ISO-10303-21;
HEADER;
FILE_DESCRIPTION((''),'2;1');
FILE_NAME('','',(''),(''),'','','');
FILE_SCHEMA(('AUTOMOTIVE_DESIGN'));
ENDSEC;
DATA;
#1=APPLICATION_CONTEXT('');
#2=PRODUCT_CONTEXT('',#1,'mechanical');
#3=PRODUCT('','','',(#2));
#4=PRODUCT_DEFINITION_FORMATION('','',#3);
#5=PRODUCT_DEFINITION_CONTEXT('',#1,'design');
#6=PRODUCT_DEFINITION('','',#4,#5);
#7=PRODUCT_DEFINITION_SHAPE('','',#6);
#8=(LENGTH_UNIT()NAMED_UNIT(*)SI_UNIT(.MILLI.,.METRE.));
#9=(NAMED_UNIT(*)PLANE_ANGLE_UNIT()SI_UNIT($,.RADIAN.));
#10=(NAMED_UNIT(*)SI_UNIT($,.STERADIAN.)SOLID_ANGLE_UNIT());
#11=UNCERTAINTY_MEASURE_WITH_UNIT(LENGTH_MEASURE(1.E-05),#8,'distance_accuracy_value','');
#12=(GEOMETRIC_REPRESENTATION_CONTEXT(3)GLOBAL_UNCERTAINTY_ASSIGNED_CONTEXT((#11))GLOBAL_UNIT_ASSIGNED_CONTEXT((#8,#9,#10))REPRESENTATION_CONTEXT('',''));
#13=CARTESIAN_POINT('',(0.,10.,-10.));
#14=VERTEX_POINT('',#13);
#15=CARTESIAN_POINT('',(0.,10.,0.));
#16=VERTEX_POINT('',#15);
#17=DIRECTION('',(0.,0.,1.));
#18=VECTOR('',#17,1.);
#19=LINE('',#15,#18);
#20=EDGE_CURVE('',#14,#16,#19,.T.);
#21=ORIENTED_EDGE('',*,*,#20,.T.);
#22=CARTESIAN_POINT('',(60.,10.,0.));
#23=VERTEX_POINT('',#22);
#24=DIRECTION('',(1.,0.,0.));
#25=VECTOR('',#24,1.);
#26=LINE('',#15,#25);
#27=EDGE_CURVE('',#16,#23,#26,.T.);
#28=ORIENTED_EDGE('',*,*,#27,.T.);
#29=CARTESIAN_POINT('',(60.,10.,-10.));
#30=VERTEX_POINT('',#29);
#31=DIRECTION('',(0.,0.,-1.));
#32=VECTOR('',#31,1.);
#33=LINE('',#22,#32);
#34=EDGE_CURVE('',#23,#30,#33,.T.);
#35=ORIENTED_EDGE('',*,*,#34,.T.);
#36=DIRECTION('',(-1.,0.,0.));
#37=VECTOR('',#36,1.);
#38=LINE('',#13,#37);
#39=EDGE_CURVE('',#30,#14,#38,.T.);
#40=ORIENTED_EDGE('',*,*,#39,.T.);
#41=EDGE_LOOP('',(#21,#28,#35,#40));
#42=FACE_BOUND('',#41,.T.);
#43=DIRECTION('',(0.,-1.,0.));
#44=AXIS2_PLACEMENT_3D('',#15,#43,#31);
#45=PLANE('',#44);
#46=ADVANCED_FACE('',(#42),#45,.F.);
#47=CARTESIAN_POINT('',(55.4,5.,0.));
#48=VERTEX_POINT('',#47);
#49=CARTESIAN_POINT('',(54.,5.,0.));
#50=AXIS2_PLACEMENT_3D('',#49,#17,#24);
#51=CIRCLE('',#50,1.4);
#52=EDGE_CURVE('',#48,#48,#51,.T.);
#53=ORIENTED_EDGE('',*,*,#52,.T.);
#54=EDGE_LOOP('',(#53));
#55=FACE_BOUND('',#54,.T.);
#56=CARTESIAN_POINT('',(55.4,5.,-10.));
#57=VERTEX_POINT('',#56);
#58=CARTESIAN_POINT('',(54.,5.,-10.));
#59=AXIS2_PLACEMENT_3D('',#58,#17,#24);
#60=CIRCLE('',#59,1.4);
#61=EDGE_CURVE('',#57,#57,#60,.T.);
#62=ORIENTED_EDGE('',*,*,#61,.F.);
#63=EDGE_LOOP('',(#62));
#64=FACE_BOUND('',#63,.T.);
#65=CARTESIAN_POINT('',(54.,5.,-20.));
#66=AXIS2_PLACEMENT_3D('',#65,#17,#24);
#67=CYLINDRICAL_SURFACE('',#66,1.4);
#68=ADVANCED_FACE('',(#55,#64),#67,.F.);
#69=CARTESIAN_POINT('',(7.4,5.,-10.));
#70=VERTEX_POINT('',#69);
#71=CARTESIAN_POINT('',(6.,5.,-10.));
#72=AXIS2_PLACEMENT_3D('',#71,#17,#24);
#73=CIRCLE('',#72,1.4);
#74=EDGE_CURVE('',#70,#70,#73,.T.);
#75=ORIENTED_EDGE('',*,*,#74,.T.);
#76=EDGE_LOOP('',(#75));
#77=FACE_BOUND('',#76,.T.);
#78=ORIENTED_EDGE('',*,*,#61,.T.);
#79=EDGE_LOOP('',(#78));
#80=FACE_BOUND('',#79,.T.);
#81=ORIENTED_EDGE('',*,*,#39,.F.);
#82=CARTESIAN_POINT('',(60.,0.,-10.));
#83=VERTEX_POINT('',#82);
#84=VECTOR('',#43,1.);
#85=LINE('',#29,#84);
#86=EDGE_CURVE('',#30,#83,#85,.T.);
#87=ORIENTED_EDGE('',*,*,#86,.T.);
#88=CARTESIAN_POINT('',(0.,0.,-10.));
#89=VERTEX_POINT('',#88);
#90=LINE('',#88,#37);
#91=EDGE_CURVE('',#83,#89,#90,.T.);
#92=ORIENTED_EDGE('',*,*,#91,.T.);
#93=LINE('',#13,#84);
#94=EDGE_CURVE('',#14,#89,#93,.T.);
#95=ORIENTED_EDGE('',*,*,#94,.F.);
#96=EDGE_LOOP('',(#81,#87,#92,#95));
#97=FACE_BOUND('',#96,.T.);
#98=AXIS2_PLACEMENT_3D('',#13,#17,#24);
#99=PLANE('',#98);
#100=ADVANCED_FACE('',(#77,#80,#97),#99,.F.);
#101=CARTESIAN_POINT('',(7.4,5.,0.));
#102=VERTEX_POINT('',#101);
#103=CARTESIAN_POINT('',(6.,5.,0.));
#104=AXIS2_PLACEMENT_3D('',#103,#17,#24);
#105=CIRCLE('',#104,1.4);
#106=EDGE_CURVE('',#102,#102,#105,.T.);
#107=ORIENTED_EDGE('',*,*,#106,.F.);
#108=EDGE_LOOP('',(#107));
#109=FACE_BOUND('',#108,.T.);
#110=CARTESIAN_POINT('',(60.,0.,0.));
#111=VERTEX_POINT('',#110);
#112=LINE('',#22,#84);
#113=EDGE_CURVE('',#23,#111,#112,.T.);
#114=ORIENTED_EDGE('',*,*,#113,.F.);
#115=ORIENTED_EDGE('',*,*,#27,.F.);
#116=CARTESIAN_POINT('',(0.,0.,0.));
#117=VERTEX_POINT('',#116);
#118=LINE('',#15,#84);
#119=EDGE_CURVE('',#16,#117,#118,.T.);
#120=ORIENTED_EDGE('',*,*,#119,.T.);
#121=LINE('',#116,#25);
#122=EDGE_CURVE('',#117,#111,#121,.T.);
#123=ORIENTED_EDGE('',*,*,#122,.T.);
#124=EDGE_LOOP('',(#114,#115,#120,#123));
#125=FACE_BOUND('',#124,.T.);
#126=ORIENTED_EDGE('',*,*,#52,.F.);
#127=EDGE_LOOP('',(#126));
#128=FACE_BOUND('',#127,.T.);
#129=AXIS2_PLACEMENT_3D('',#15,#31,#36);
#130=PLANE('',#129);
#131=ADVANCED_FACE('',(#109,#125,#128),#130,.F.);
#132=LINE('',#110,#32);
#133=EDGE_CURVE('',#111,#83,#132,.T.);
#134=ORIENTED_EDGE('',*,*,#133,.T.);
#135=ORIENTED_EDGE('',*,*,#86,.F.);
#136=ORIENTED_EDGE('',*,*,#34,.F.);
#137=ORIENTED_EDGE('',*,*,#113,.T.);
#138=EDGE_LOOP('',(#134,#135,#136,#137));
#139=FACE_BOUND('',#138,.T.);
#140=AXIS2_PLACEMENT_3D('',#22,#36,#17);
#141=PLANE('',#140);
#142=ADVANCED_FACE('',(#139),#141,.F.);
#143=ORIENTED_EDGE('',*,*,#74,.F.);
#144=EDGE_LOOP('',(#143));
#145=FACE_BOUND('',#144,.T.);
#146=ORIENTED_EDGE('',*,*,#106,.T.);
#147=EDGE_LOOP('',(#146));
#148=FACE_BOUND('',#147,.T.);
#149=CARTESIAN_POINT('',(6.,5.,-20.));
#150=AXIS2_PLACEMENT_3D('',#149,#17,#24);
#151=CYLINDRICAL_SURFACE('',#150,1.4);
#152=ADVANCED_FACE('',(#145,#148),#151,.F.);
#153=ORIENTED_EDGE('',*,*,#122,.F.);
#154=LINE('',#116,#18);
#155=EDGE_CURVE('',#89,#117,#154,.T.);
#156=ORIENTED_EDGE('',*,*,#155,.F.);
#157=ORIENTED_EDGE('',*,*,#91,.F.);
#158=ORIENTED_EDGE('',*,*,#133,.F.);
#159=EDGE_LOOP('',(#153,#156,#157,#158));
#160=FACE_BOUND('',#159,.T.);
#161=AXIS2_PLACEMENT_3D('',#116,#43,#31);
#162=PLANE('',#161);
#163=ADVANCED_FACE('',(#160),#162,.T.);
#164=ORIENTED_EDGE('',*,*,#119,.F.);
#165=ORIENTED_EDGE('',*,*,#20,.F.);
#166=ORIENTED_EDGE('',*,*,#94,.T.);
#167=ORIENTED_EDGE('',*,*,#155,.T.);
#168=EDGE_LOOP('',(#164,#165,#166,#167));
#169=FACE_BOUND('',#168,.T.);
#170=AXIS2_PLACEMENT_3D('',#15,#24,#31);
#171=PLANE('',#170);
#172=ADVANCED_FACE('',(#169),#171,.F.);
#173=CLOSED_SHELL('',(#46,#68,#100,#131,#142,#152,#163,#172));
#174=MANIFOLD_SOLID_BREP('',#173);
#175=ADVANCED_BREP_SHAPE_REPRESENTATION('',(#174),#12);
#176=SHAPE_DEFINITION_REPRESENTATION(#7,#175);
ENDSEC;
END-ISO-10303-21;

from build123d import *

# Parameters (mm, degrees)
SKETCH_1_W          = 60
SKETCH_1_H          = 10
EXTRUDE_1_DEPTH     = 10
SKETCH_3_R          = 1.4
CUT_EXTRUDE_1_DEPTH = 20


with BuildPart() as part:
    # 草图1 → 凸台-拉伸1 (new body)
    with BuildSketch(Plane(origin=(0, 0, 0), x_dir=(1, 0, 0), z_dir=(0, 1, 0))):
        with Locations((30, 5)):
            Rectangle(SKETCH_1_W, SKETCH_1_H)
    extrude(amount=EXTRUDE_1_DEPTH)

    # 草图3 → 切除-拉伸1 (cut)
    with BuildSketch(Plane.XY):
        with Locations((6, 5)):
            Circle(SKETCH_3_R)
        with Locations((54, 5)):
            Circle(SKETCH_3_R)
    extrude(amount=-CUT_EXTRUDE_1_DEPTH, mode=Mode.SUBTRACT)


solid = part.part
